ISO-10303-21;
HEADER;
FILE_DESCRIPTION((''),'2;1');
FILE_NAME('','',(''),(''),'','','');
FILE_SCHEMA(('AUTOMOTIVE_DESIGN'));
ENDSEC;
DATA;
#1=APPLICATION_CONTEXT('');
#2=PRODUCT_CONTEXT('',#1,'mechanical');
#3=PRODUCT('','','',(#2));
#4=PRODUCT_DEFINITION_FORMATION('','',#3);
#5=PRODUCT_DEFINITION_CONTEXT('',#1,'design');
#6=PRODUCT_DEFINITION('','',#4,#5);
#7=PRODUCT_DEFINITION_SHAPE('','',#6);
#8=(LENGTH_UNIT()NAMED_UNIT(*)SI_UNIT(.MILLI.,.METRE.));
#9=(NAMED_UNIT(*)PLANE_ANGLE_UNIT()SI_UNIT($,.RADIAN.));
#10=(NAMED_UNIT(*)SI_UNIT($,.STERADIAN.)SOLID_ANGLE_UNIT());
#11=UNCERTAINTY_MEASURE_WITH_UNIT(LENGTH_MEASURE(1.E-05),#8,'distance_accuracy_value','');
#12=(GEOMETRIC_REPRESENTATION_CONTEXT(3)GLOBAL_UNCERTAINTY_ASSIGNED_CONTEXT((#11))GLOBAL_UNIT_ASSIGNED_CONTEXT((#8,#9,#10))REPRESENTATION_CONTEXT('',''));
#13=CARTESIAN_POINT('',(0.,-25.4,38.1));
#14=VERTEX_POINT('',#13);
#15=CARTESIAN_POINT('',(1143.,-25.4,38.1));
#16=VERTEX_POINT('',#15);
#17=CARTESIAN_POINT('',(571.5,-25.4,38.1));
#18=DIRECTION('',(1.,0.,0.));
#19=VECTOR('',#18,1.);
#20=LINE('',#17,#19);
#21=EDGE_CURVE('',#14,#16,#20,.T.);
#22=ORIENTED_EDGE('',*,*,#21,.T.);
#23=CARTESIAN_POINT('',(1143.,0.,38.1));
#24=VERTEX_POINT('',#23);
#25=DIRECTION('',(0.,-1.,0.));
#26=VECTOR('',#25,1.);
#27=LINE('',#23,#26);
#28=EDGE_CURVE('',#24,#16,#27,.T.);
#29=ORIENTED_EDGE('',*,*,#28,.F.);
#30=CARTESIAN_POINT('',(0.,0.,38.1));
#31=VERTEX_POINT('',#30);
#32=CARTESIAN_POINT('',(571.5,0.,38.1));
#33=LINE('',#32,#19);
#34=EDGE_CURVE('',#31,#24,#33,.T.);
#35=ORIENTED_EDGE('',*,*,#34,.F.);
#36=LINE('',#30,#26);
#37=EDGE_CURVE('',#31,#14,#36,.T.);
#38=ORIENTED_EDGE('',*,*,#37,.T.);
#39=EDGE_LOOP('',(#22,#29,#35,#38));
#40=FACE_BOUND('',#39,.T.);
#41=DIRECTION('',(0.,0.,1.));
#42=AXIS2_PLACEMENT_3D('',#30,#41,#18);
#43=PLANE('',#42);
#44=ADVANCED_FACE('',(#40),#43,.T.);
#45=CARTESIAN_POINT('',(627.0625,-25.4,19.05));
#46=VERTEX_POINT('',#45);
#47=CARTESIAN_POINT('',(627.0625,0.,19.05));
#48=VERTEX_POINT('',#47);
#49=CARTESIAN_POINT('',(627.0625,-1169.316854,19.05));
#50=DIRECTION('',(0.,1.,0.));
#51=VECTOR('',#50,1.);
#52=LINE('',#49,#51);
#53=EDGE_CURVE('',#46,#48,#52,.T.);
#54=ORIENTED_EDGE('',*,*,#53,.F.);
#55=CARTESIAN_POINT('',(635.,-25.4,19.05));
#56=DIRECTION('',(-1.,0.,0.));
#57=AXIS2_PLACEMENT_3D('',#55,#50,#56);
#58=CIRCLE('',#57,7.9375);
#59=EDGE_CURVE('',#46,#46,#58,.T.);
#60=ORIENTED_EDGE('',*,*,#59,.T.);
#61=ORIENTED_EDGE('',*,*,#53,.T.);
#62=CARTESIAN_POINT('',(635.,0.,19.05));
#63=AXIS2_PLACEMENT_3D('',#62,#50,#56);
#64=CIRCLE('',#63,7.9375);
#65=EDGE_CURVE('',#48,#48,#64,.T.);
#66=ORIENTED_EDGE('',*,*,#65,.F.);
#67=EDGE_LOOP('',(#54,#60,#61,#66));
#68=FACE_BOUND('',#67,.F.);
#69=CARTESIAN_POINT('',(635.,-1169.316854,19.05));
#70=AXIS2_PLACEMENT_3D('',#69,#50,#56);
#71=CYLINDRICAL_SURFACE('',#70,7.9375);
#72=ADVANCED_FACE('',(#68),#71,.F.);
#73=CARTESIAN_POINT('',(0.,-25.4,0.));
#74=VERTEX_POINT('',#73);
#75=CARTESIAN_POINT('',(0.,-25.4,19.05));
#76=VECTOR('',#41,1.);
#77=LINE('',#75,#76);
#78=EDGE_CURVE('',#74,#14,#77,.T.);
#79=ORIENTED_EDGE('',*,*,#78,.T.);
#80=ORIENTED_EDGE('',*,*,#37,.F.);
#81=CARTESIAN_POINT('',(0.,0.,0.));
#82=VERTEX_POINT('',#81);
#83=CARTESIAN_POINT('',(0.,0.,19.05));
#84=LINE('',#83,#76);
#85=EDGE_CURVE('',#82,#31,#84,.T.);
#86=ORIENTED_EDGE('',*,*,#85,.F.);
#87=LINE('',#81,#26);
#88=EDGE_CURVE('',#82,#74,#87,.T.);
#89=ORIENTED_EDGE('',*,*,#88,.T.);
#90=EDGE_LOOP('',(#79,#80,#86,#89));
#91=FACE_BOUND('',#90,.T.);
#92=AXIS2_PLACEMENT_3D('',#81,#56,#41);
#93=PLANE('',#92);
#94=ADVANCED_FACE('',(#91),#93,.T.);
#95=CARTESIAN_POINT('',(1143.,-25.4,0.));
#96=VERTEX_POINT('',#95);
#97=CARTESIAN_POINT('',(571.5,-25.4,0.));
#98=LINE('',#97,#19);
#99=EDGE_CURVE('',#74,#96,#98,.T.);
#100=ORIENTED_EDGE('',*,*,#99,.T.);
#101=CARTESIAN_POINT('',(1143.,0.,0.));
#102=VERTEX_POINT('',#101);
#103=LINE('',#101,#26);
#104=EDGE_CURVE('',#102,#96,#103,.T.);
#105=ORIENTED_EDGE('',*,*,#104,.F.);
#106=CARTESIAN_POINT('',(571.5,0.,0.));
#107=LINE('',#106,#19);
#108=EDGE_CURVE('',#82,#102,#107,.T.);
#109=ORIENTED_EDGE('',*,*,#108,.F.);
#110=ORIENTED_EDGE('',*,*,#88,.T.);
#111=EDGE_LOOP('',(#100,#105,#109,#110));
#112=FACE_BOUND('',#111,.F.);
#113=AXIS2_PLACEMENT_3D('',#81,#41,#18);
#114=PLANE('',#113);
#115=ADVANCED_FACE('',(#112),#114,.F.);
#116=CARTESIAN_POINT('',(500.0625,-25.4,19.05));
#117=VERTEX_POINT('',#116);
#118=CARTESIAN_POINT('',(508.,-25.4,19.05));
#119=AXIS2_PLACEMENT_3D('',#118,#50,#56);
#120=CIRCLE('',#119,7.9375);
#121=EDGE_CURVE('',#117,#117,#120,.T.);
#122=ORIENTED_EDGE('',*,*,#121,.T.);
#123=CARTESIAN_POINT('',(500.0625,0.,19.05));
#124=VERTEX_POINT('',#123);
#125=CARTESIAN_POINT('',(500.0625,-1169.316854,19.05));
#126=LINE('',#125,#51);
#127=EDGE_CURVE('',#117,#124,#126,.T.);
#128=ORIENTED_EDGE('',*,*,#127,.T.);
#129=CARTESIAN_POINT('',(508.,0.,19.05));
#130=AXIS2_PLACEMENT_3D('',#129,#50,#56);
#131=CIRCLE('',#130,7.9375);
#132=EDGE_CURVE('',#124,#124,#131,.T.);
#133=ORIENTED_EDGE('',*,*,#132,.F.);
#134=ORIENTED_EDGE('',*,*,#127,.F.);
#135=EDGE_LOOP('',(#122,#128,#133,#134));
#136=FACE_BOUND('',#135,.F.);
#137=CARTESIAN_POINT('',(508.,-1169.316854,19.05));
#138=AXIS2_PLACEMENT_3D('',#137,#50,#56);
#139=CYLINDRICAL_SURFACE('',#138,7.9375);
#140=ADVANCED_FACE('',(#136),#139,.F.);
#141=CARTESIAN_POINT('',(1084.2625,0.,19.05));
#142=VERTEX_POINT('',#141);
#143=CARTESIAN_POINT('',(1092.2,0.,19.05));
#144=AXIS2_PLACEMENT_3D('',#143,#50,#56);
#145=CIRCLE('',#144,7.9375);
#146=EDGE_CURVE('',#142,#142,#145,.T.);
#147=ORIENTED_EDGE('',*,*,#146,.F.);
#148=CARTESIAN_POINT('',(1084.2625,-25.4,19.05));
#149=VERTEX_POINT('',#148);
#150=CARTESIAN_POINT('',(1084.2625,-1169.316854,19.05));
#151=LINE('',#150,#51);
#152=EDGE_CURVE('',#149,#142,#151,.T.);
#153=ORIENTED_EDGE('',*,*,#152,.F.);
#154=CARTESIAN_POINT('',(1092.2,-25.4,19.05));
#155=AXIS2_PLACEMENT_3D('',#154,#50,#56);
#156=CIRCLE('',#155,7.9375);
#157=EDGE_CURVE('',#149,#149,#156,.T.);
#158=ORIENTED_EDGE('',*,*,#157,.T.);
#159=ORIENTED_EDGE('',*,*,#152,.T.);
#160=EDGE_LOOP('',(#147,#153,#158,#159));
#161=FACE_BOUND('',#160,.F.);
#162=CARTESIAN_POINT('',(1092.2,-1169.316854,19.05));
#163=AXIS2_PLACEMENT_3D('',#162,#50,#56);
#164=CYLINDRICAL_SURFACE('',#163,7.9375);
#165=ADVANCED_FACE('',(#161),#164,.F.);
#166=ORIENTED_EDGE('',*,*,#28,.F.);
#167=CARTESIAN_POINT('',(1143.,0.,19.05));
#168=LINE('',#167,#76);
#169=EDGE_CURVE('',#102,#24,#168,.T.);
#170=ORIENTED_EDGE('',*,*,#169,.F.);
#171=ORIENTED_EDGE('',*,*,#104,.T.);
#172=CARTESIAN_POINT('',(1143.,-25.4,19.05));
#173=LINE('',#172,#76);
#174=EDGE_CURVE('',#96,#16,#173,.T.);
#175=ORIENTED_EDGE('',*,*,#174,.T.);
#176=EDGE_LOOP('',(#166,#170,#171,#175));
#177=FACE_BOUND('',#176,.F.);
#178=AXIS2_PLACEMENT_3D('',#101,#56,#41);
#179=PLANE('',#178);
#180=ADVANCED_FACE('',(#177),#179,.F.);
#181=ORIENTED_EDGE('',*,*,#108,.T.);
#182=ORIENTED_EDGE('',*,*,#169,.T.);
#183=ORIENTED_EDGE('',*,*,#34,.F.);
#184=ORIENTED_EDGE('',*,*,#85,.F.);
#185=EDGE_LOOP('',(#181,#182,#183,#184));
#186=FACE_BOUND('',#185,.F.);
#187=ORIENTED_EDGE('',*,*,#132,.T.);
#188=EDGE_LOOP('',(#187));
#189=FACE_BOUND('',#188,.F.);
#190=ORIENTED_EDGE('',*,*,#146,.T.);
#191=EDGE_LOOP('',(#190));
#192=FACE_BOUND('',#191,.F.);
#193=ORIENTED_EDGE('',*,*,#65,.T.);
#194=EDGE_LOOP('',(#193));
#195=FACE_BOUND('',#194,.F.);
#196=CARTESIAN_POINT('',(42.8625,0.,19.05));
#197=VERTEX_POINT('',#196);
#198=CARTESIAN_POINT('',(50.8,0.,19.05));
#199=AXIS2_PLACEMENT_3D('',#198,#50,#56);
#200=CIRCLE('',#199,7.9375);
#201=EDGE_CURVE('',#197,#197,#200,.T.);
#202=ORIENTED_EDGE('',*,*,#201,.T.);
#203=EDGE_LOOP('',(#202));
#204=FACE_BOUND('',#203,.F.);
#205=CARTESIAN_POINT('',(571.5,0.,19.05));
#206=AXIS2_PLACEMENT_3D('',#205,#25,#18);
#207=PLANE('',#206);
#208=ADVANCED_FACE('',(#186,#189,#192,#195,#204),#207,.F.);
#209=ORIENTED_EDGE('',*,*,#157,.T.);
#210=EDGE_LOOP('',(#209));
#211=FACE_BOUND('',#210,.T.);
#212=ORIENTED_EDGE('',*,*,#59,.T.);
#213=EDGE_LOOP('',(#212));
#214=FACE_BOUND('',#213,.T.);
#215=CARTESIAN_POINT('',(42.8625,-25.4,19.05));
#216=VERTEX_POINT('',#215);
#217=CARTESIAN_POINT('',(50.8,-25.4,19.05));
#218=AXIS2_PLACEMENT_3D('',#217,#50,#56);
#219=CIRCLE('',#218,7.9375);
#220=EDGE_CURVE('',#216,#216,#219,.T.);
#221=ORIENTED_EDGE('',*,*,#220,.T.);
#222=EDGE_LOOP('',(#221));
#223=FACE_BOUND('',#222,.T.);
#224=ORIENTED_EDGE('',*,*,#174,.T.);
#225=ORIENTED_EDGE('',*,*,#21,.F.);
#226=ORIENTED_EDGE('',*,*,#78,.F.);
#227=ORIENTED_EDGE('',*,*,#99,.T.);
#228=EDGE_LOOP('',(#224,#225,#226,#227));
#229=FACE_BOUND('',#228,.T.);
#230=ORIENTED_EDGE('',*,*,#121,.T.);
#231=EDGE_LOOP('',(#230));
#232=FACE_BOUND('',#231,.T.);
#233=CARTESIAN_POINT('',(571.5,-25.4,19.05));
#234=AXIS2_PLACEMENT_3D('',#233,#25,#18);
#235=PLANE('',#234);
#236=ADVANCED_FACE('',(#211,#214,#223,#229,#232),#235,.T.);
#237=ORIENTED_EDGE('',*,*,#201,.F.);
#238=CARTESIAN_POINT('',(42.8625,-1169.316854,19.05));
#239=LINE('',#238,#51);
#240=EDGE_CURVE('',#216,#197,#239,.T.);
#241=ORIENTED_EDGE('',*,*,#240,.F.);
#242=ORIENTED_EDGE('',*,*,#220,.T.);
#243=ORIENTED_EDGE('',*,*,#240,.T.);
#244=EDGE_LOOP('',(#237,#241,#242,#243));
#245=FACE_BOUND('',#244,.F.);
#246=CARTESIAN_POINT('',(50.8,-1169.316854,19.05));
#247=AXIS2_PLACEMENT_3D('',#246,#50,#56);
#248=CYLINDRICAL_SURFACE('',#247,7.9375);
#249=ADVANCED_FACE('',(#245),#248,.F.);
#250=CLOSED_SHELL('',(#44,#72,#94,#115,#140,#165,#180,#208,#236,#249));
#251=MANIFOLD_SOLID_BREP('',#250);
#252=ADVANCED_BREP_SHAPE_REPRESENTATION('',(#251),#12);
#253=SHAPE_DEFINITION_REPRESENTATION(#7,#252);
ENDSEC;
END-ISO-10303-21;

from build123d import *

# Parameters (mm, degrees)
F0_W     = 1143
F0_H     = 38.1
F1_DEPTH = 25.4
F3_D     = 15.875


with BuildPart() as f1:
    # F0 (on Front) → F1 (new body)
    with BuildSketch(Plane.XZ):
        with Locations((571.5, 19.05)):
            Rectangle(F0_W, F0_H)
    extrude(amount=F1_DEPTH)

    # F3 (through all)
    with Locations(Plane.XZ.offset(25.4)):
        with Locations((50.8, 19.05), (508, 19.05), (635, 19.05), (1092.2, 19.05)):
            Hole(F3_D / 2)


solid = f1.part
